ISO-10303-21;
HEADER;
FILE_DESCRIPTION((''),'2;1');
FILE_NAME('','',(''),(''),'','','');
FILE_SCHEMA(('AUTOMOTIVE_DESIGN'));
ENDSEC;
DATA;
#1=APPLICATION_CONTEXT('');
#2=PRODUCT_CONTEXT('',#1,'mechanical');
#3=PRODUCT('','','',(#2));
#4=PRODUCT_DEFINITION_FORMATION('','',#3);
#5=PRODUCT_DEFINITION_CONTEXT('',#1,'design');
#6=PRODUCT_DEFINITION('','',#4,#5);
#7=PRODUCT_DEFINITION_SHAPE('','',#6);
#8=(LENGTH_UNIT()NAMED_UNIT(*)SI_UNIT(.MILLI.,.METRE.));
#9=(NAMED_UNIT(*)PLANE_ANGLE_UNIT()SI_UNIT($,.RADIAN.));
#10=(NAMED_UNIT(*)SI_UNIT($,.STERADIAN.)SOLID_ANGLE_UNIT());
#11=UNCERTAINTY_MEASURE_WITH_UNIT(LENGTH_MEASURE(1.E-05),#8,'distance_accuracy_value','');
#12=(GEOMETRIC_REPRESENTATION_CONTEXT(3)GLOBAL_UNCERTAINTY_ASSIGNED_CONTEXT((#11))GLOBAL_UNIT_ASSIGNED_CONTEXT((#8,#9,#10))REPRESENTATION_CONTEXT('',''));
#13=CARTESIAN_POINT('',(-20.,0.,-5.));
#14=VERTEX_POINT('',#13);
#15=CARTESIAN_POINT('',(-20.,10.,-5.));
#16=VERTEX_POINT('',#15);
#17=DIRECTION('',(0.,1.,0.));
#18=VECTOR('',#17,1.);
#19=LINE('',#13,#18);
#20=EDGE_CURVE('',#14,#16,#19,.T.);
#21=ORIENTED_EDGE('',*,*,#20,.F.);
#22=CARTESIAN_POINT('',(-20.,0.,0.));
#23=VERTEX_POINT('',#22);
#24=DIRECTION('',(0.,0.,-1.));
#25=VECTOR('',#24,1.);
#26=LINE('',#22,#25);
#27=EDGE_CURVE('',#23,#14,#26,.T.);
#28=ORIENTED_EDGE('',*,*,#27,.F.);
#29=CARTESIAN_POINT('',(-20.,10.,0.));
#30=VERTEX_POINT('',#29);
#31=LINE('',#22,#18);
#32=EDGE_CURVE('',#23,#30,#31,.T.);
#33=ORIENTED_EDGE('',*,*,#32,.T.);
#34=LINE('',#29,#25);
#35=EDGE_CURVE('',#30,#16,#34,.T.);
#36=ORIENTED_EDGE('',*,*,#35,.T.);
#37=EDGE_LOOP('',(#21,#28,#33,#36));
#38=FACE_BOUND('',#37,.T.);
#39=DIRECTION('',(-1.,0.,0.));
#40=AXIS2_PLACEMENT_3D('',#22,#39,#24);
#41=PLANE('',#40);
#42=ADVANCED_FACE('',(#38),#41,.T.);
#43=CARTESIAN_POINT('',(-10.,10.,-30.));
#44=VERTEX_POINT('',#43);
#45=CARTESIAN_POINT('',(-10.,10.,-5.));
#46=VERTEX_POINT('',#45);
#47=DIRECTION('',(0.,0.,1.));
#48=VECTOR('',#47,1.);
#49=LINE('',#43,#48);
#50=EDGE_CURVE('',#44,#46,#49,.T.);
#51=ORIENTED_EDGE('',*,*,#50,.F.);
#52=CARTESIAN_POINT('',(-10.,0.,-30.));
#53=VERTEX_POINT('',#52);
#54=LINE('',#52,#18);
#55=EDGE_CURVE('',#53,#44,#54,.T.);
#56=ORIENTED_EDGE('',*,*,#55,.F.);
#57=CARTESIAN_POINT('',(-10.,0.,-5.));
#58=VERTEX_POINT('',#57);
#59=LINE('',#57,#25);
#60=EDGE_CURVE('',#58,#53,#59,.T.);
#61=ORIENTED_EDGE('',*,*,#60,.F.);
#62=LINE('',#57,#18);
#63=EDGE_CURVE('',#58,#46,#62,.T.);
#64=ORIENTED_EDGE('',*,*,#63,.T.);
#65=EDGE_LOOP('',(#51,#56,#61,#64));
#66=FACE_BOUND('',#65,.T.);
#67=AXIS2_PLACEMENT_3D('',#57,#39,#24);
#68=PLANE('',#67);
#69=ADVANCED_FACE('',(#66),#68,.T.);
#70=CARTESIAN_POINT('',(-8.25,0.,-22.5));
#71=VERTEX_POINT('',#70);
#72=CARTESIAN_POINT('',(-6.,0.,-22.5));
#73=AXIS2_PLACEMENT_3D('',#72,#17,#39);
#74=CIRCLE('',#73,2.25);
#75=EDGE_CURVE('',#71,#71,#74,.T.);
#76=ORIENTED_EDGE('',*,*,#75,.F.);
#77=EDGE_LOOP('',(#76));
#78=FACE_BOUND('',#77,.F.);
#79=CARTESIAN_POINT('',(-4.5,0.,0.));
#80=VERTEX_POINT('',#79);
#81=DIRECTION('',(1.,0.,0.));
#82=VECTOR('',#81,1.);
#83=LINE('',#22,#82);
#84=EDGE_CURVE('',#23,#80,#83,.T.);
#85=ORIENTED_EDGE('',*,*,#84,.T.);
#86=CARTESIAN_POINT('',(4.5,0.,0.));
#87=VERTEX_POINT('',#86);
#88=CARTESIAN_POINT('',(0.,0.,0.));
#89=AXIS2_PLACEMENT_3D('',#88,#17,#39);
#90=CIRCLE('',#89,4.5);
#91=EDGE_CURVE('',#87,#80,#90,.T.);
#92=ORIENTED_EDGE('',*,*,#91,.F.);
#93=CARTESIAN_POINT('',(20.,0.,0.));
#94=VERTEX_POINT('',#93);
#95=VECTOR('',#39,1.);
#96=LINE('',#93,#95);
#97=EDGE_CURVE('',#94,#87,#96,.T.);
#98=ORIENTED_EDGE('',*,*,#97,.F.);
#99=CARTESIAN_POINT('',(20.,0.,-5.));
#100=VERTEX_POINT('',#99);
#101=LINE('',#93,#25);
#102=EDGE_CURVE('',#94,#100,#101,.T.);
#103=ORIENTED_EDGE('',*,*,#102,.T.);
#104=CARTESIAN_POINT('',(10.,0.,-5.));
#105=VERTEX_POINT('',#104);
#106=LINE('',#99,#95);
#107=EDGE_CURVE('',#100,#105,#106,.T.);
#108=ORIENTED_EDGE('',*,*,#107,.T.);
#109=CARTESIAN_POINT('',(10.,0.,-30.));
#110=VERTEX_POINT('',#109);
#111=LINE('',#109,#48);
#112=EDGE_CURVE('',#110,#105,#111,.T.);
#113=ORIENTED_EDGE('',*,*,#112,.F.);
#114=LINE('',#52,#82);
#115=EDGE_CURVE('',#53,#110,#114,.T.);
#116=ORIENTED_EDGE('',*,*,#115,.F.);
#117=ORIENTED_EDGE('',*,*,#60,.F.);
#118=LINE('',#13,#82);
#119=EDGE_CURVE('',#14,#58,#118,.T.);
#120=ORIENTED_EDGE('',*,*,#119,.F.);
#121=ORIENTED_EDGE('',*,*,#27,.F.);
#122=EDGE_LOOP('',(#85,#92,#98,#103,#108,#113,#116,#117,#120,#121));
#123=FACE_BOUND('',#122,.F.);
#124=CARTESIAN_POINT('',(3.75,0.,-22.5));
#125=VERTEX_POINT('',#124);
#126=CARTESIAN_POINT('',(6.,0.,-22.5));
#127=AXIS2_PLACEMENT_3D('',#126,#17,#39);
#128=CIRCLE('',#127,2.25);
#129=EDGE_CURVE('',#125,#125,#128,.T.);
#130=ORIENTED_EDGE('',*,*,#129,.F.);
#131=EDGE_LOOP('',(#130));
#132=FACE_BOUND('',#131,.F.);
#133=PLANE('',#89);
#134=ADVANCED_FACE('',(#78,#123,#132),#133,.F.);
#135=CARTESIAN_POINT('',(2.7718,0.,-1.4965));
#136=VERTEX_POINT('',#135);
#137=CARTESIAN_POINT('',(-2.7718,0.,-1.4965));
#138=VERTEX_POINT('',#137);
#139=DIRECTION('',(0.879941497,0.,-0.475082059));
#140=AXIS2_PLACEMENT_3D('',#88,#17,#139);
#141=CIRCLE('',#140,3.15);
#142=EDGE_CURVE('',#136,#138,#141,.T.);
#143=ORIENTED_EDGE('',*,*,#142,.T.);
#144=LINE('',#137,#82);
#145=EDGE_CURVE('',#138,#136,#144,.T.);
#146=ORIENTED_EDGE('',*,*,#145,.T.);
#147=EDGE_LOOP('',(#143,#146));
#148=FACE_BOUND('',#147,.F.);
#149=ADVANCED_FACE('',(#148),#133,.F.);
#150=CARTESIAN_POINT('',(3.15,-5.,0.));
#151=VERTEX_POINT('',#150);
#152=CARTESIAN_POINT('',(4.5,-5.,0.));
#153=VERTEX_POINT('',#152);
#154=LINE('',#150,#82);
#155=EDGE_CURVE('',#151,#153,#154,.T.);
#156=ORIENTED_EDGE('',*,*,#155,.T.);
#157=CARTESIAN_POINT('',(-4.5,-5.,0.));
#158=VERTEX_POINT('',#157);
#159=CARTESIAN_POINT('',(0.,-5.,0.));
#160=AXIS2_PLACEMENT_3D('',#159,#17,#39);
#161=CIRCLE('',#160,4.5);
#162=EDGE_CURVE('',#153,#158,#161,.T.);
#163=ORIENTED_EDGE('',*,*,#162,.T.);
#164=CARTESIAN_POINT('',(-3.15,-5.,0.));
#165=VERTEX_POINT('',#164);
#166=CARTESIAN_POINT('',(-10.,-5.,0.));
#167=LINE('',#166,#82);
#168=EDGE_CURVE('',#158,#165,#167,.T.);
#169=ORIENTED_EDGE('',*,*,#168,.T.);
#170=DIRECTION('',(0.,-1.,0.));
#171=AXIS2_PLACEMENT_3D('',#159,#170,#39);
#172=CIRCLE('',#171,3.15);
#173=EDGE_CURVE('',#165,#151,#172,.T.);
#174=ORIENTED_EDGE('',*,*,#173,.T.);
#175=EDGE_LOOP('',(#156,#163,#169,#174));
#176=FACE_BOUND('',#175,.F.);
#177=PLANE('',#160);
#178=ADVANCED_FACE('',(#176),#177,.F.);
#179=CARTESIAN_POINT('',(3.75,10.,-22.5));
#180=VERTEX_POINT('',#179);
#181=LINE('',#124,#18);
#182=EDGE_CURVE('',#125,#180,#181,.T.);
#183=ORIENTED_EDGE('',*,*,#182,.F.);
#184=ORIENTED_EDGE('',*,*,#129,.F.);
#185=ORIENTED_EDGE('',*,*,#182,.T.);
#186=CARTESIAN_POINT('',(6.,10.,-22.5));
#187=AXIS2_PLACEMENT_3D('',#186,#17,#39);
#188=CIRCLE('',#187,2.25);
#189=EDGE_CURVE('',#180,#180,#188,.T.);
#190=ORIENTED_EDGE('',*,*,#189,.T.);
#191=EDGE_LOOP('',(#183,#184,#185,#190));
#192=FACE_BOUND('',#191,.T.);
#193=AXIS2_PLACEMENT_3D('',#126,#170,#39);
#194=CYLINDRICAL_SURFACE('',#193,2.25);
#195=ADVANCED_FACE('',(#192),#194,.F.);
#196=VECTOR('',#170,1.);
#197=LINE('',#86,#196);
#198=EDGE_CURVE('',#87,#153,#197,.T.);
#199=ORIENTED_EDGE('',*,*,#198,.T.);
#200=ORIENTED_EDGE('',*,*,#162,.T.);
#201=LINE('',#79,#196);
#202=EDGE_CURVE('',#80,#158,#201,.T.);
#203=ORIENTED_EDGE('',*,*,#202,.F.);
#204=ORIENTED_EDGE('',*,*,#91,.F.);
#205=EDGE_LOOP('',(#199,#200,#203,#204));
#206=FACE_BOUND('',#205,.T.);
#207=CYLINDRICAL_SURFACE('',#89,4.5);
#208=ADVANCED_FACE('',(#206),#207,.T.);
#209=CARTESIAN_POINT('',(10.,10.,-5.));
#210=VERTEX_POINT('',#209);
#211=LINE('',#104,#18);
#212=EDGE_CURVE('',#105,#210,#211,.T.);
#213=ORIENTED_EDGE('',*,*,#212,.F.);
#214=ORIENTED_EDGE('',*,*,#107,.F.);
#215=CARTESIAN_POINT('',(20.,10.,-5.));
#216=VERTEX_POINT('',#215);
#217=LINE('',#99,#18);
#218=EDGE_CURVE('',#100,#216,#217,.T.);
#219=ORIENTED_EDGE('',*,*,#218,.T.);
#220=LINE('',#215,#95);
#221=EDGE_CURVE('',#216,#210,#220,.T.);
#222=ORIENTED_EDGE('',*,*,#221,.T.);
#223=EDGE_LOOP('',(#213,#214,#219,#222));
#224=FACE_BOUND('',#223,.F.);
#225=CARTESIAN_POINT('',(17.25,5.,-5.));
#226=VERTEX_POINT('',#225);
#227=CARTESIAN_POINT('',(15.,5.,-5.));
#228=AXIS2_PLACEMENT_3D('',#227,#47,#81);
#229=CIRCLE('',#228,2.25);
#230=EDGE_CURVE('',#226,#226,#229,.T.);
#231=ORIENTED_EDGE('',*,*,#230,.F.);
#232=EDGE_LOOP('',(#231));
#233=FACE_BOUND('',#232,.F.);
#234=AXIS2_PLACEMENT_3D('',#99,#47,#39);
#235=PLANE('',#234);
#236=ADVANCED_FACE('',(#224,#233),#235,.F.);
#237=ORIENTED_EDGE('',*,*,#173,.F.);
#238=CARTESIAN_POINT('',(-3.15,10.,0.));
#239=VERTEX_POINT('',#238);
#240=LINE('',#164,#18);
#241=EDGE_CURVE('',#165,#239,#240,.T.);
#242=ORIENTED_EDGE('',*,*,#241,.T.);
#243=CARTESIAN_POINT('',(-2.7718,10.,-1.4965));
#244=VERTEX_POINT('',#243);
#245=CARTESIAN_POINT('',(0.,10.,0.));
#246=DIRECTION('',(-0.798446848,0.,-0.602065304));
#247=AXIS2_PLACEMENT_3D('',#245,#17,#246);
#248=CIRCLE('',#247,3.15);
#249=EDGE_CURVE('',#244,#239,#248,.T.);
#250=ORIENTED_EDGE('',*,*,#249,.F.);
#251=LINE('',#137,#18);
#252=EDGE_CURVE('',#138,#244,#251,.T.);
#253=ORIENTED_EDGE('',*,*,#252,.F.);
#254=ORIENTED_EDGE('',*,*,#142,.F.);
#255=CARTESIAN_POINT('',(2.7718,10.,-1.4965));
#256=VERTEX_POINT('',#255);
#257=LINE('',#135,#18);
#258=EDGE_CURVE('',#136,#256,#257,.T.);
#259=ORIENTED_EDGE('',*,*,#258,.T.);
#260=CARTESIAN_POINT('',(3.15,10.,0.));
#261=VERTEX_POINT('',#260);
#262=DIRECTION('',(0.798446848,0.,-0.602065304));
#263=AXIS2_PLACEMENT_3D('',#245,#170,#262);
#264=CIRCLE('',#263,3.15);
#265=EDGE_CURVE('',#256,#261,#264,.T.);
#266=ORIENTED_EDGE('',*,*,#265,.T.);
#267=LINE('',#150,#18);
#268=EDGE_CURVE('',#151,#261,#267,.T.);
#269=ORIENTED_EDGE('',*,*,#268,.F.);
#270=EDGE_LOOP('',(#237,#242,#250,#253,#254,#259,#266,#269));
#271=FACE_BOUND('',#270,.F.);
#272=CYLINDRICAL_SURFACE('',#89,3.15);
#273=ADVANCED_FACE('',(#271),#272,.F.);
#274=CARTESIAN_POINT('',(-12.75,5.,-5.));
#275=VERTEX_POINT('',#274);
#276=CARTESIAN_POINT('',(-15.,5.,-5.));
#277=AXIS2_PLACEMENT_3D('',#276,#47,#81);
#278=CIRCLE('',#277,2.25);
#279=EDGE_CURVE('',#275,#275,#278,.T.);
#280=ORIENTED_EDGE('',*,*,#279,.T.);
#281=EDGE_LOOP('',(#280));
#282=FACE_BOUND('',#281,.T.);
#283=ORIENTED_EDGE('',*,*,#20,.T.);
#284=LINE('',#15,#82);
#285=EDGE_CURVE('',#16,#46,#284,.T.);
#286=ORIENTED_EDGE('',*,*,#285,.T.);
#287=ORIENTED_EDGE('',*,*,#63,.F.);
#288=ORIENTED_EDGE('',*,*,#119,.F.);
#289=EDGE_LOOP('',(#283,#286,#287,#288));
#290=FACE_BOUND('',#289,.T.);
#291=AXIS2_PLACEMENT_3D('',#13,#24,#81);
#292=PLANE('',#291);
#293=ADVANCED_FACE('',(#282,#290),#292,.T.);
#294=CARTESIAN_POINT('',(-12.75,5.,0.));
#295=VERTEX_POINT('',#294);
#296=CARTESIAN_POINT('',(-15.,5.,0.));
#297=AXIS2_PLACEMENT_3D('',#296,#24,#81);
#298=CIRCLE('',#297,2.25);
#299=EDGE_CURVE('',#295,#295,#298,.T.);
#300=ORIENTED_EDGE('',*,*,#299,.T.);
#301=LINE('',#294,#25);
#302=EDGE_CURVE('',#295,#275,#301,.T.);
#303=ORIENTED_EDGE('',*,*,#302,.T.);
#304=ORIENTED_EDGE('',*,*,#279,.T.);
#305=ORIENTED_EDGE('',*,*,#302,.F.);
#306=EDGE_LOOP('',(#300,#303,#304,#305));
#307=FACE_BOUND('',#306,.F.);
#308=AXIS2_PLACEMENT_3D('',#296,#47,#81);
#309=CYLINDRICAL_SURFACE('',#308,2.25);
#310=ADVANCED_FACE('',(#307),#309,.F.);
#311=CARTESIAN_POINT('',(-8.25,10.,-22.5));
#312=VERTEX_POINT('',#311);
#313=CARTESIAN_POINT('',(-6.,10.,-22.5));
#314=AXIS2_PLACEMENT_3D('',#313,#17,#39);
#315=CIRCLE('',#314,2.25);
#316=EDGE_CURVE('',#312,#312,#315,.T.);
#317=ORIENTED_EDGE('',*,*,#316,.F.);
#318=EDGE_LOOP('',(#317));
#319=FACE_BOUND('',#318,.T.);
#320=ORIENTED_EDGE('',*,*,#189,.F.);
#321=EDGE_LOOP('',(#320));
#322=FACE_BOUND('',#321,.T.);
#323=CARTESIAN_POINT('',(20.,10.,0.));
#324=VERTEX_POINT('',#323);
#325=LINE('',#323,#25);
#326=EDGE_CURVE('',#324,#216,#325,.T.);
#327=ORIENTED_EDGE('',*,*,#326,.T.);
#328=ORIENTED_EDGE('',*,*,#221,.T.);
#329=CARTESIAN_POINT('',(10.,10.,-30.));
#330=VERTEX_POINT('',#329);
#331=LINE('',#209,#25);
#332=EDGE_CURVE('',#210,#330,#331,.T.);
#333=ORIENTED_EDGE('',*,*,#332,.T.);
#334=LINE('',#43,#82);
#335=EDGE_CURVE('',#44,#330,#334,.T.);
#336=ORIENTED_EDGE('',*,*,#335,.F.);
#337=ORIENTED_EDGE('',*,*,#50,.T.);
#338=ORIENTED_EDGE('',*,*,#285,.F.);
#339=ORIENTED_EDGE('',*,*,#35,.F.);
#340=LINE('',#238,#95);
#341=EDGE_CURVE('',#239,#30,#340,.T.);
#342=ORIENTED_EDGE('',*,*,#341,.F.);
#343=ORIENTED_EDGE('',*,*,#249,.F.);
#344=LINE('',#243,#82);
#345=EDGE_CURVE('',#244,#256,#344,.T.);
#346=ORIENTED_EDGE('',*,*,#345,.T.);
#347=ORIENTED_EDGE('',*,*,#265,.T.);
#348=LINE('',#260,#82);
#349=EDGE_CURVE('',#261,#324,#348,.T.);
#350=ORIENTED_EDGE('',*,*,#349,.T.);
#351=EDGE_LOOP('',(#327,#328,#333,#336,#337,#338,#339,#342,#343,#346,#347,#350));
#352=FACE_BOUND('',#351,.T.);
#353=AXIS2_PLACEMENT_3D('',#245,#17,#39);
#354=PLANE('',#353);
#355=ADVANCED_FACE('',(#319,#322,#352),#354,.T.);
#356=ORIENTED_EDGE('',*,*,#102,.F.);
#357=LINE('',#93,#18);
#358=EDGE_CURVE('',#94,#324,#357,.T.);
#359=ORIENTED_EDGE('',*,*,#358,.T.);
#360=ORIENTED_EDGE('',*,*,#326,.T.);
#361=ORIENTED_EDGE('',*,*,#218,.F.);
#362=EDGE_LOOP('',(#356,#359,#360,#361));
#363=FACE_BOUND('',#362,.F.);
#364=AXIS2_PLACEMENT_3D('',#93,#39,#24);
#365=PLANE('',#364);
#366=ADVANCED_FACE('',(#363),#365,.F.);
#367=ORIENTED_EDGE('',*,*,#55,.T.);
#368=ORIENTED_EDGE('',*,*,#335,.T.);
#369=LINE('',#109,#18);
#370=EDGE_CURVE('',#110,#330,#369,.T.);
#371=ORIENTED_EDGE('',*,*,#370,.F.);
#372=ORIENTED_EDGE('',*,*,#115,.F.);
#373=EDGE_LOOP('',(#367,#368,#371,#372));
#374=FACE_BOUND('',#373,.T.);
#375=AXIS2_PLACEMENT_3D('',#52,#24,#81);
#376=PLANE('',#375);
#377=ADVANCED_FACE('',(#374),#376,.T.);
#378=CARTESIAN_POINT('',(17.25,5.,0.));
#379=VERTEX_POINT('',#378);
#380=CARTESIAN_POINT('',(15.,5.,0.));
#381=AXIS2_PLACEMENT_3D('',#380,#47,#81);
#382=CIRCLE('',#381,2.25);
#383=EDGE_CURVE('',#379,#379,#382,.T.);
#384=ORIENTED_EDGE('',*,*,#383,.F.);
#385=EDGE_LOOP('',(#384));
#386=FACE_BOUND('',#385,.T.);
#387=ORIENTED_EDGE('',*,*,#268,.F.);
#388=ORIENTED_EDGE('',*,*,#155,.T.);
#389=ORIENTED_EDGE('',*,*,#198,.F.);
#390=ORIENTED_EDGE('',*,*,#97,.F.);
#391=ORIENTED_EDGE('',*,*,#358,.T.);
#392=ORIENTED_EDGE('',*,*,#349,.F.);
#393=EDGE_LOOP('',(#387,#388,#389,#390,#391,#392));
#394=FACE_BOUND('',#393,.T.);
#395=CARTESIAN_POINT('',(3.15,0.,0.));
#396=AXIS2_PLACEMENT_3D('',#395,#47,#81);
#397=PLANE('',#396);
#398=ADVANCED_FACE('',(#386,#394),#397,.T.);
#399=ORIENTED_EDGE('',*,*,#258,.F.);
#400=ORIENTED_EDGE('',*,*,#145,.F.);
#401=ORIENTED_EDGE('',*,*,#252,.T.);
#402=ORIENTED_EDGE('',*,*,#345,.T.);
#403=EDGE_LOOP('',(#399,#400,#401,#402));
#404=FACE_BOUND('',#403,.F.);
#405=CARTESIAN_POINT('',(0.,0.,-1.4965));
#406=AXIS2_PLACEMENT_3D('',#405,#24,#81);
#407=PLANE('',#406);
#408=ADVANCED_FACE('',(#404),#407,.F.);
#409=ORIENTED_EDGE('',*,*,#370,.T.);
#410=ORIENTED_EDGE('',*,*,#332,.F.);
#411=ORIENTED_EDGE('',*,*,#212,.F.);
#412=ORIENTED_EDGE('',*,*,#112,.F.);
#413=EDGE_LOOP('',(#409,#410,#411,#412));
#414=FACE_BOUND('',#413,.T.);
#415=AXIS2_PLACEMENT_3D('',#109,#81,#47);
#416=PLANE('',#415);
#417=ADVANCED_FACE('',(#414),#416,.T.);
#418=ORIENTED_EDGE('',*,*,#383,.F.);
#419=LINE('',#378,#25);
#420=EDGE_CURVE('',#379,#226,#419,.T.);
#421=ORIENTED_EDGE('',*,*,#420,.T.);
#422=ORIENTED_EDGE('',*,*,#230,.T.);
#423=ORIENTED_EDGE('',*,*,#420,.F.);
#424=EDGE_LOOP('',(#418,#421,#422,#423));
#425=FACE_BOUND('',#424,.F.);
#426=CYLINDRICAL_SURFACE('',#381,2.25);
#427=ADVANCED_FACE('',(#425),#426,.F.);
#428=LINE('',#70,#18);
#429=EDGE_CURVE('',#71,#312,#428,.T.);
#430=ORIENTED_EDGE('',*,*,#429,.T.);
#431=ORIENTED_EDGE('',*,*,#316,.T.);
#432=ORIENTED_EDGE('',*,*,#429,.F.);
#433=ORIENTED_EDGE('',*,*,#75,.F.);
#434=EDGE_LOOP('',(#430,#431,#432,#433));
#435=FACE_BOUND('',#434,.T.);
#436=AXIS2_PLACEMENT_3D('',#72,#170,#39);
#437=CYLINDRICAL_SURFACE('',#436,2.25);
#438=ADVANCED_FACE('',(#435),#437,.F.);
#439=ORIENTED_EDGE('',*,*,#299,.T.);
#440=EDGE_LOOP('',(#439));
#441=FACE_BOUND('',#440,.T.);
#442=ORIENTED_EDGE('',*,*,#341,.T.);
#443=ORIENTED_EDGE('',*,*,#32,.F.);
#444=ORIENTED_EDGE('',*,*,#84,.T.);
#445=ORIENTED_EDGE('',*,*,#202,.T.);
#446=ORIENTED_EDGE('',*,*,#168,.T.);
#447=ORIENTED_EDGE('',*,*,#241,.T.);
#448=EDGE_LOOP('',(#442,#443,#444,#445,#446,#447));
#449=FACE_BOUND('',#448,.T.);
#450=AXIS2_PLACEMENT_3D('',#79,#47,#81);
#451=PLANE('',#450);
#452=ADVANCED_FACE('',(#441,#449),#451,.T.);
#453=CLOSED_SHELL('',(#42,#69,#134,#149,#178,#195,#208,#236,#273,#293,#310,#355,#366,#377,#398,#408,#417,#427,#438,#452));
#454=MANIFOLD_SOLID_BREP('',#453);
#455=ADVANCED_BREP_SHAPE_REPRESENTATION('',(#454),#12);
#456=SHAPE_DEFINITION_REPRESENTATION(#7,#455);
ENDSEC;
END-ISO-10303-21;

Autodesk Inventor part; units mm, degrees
ref_plane "YZ Plane" through (0, 0, 0) normal (1, 0, 0) x (0, 1, 0)
ref_plane "XZ Plane" through (0, 0, 0) normal (0, 1, 0) x (-1, 0, 0)
ref_plane "XY Plane" through (0, 0, 0) normal (0, 0, 1) x (1, 0, 0)
sketch "Sketch1" plane through (0, 0, 0) normal (0, 1, 0) x (-1, 0, 0)
  circle A0 centre (0, 0) radius 3.15
  line L0 (10, 0) -> (10, 30)
  line L1 (10, 30) -> (-10, 30)
  line L2 (-10, 30) -> (-10, 0)
  line L3 (10, -5) -> (10, -30)
  line L4 (10, -30) -> (-10, -30)
  line L5 (-10, -30) -> (-10, -5)
  line L6 (-10, 30) -> (-10, 15)
  line L7 (10, 30) -> (10, 15)
  line L8 (10, -30) -> (10, -15)
  line L9 (-10, -15) -> (-10, -30)
  line L10 (2.5151, -1.8965) -> (-2.5151, -1.8965)
  circle A1 centre (0, 0) radius 4.5
  line L11 (10, 0) -> (3.15, 0)
  line L12 (-3.15, 0) -> (-10, 0)
  line L13 (-10, 0) -> (-20, 0)
  line L14 (-20, 0) -> (-20, -5)
  line L15 (-20, -5) -> (-10, -5)
  line L16 (10, 0) -> (20, 0)
  line L17 (20, 0) -> (20, -5)
  line L18 (20, -5) -> (10, -5)
  line L19 (-4.5, 0) -> (-3.15, 0)
  line L20 (3.15, 0) -> (4.5, 0)
  circle A2 centre (6, 22.5) radius 2.25
  circle A3 centre (-5, 22.5) radius 2.25
  circle A4 centre (-6, -22.5) radius 2.25
  circle A5 centre (6, -22.5) radius 2.25
  line L21 (0, -1.8965) -> (0, -1.4965)
  line L22 (0, -1.4965) -> (-2.7718, -1.4965)
  line L23 (0, -1.4965) -> (2.7718, -1.4965)
  dimension "d0" = 6.3
  dimension "d6" = 15
  dimension "d34" = 9
  dimension "d35" = 10
  dimension "d36" = 5
  dimension "d37" = 10
  dimension "d38" = 5
  dimension "d43" = 4.5
  dimension "d44" = 4.5
  dimension "d45" = 4.5
  dimension "d46" = 4.5
  dimension "d59" = 0.4
extrude "Extrusion10" add sketch "Sketch1" along normal blind 10 contours L11 A1 L12 A0 | L11 L16 L17 L18 L3 L4 L5 L15 L14 L13 L12 A1 | A0 L10 picked at (3.9921, -0.5315)
extrude "Extrusion11" add sketch "Sketch1" against normal blind 5 contours L11 A1 L12 A0 picked at (3.9921, -0.5315)
sketch "Sketch3" plane through (3.15, 10, 0) normal (0, 0, 1) x (1, 0, 0)
  line L0 (16.85, 0) -> (16.85, -5)
  line L1 (16.85, -10) -> (16.85, 0) projected
  line L2 (16.85, -5) -> (11.85, -5)
  line L3 (-23.15, 0) -> (-23.15, -5)
  line L4 (-23.15, -10) -> (-23.15, 0) projected
  line L5 (-23.15, -5) -> (-18.15, -5)
  circle A0 centre (-18.15, -5) radius 2.25
  circle A1 centre (11.85, -5) radius 2.25
  point P0 (-3.15, -10)
  dimension "d51" = 5
  dimension "d52" = 5
  dimension "d53" = 5
  dimension "d54" = 5
  dimension "d55" = 4.5
  dimension "d56" = 4.5
extrude "Extrusion12" cut sketch "Sketch3" against normal blind 10
extrude "Extrusion13" add sketch "Sketch1" along normal blind 10 contours A0 L10 L21 L23 | L22 L21 L10 A0
properties part number "clip_to_shaft_holder"
